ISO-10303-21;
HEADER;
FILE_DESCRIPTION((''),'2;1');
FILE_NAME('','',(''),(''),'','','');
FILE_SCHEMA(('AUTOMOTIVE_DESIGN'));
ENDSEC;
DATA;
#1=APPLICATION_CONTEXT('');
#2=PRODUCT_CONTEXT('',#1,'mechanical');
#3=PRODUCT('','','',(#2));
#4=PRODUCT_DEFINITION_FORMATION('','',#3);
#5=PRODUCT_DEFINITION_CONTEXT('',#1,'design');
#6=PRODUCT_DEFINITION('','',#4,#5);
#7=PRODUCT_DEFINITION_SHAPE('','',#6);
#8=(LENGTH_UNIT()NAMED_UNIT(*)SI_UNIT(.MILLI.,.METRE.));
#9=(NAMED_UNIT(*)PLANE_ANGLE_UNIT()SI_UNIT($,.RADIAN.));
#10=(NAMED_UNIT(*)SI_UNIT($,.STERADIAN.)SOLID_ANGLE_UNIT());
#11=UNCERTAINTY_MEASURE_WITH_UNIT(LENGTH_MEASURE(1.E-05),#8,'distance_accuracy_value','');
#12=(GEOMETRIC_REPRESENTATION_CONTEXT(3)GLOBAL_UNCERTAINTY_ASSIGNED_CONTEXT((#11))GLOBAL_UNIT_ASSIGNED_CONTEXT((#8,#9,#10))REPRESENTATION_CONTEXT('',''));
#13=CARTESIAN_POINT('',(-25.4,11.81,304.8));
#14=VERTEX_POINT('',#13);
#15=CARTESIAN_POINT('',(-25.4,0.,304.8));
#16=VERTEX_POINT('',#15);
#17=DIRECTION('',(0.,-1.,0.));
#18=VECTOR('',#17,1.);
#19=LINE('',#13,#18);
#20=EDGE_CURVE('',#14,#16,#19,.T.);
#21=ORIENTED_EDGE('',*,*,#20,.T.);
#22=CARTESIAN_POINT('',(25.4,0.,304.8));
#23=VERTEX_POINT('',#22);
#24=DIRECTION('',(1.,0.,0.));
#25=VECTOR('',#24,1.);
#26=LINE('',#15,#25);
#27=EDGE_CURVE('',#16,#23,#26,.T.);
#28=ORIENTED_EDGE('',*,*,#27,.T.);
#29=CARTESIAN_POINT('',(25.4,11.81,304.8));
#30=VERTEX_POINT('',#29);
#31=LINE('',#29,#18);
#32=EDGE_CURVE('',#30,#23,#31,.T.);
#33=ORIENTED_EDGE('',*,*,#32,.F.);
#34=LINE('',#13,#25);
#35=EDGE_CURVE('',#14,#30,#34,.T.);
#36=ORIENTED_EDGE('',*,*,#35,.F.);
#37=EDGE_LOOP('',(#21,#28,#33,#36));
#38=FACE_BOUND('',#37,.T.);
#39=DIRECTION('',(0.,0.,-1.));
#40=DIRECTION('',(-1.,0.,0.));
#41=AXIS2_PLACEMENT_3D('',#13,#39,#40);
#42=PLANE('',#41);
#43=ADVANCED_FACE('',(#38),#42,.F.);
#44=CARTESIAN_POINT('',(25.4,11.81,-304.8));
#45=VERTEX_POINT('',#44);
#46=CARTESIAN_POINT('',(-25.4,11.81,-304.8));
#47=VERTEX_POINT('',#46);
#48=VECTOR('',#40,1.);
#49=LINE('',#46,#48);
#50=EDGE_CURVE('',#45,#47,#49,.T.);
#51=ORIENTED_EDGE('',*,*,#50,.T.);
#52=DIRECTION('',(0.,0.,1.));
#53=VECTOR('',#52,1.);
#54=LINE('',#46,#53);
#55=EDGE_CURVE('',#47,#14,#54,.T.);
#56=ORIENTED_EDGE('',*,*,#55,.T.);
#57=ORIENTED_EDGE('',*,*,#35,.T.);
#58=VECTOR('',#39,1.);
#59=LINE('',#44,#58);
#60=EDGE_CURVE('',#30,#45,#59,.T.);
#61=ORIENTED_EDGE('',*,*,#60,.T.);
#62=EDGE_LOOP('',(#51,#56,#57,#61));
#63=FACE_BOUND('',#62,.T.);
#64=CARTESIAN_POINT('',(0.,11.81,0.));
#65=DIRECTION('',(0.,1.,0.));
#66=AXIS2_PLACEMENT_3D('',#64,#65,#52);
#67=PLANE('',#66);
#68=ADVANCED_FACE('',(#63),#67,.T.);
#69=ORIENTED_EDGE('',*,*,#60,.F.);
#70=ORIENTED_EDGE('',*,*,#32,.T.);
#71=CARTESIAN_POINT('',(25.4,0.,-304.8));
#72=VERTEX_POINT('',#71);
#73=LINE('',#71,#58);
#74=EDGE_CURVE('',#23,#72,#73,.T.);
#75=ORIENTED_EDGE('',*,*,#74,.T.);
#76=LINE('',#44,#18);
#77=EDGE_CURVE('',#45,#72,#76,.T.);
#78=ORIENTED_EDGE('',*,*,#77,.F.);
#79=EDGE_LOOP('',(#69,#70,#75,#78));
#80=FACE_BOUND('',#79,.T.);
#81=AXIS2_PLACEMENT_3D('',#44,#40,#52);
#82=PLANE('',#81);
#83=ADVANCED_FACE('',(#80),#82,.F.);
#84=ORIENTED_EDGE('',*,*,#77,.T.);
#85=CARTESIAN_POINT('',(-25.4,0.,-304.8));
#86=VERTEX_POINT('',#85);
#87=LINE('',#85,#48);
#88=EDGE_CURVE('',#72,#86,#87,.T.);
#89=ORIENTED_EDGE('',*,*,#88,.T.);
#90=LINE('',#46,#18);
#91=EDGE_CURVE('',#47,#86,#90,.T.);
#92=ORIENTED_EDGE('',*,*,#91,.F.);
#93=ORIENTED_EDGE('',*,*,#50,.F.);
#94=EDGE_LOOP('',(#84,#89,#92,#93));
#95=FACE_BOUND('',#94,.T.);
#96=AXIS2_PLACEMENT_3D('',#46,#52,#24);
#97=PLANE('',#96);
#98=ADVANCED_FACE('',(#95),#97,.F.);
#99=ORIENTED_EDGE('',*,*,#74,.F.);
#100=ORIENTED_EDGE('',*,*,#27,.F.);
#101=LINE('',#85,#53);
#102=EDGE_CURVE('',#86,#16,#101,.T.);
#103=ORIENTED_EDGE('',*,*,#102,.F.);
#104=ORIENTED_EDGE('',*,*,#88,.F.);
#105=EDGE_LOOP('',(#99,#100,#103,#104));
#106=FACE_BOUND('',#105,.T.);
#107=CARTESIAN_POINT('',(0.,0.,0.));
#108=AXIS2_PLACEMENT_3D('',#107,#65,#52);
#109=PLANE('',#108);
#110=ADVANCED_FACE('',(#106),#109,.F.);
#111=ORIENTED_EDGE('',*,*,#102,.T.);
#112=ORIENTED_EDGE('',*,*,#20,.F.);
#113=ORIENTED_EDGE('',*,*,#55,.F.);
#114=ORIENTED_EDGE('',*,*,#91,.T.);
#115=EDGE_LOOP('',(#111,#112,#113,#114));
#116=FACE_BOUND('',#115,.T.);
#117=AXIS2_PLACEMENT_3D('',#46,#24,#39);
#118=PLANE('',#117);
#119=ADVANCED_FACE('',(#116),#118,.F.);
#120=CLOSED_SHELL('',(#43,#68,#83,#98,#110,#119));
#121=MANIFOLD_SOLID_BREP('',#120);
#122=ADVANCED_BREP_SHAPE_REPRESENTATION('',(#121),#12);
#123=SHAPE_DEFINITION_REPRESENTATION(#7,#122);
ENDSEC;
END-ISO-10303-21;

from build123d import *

# Parameters (mm, degrees)
BASE_SKETCH_W       = 50.8
BASE_SKETCH_H       = 609.6
BOSS_EXTRUDE1_DEPTH = 11.81


with BuildPart() as part:
    # Base_Sketch → Boss-Extrude1 (new body)
    with BuildSketch(Plane(origin=(0, 0, 0), x_dir=(1, 0, 0), z_dir=(0, 1, 0))):
        Rectangle(BASE_SKETCH_W, BASE_SKETCH_H)
    extrude(amount=BOSS_EXTRUDE1_DEPTH)


solid = part.part
